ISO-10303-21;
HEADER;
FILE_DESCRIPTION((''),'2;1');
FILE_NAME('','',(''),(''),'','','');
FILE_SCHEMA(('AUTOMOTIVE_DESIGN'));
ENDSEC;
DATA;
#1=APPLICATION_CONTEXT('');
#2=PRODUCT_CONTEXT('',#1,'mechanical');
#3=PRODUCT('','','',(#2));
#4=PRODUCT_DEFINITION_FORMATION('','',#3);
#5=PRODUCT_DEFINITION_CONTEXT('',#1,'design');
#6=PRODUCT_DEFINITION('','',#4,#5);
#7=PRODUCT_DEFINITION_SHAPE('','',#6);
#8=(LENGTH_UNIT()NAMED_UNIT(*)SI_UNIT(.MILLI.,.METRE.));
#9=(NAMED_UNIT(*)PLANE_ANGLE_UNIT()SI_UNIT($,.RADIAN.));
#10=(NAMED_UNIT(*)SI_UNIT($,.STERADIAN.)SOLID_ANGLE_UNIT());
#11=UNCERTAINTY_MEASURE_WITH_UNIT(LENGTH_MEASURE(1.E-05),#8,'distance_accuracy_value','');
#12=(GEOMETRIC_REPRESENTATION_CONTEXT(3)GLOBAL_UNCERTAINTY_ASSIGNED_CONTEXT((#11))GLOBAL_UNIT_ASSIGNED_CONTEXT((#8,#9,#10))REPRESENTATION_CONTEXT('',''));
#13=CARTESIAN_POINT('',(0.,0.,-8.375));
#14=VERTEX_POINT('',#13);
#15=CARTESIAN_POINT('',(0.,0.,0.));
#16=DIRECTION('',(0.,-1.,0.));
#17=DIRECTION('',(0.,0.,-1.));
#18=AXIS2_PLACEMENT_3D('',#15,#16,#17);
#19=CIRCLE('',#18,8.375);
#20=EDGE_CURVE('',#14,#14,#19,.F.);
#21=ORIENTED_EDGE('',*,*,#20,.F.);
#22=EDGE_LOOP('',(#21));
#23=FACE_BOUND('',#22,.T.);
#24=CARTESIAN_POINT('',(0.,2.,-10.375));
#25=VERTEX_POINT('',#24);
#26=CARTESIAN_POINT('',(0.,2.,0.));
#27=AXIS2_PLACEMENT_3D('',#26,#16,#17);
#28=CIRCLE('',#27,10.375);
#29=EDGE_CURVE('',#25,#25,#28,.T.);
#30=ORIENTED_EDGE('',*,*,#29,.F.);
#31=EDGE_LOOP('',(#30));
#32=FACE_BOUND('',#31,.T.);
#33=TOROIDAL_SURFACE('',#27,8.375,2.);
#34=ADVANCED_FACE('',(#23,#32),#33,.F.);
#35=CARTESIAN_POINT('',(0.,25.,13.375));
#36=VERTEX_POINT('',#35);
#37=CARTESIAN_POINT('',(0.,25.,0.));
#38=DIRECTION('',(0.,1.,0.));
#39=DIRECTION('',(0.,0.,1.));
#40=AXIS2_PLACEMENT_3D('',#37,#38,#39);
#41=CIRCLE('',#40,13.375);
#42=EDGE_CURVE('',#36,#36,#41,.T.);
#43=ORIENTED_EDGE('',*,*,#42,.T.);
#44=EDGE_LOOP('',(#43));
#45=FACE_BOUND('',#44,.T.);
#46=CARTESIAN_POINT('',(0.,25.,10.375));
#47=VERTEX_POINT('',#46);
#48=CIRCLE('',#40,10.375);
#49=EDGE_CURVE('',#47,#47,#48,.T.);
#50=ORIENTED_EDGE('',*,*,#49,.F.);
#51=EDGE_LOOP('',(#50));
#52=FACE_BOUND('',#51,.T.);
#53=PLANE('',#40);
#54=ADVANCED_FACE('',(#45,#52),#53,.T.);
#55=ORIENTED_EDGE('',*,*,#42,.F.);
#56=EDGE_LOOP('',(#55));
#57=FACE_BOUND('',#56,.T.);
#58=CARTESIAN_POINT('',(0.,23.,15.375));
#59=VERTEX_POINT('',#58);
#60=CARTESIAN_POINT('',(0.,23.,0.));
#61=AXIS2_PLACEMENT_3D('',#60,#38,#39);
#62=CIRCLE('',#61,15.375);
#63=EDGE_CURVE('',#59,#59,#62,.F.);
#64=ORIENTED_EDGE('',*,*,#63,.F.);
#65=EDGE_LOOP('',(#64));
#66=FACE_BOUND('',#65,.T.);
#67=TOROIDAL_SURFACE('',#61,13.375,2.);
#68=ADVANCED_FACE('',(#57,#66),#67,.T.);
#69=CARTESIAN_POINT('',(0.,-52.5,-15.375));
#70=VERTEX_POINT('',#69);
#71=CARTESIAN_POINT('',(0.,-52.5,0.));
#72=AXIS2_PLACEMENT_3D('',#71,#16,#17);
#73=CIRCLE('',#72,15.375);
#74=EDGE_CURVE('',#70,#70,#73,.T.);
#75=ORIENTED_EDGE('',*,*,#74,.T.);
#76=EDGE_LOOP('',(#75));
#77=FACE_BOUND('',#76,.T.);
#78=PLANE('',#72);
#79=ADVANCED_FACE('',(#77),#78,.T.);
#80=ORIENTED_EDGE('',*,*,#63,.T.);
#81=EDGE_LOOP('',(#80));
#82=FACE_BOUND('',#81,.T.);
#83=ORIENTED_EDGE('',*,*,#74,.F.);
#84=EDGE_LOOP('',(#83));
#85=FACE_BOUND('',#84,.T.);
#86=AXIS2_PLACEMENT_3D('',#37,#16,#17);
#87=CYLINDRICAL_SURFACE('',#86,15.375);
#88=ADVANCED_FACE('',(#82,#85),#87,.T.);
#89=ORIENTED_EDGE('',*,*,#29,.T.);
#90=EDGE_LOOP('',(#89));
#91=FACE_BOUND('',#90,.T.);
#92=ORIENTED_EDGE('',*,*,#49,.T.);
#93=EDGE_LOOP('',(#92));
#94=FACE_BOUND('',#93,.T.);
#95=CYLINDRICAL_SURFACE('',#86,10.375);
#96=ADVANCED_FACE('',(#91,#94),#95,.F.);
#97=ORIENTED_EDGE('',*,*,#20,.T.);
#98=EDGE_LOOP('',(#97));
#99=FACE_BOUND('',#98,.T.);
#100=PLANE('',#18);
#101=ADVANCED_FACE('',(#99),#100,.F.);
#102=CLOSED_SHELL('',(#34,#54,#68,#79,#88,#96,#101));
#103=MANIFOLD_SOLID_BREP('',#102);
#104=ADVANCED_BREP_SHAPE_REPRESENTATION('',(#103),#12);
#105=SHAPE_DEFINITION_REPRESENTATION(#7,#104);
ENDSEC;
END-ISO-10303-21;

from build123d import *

# Parameters (mm, degrees)
SKETCH1_R           = 15.375
SKETCH1_R_2         = 10.375
BOSS_EXTRUDE1_DEPTH = 25
BOSS_EXTRUDE2_START = 52.5
SKETCH3_R           = 15.375
BOSS_EXTRUDE2_DEPTH = 52.5
FILLET1_R           = 2


with BuildPart() as part:
    # Sketch1 → Boss-Extrude1 (new body)
    with BuildSketch(Plane(origin=(0, 0, 0), x_dir=(1, 0, 0), z_dir=(0, 1, 0))):
        with Locations(Location((0, 0, 0), (0, 0, 270))):
            Circle(SKETCH1_R)
        with Locations(Location((0, 0, 0), (0, 0, 270))):
            Circle(SKETCH1_R_2, mode=Mode.SUBTRACT)
    extrude(amount=BOSS_EXTRUDE1_DEPTH)

    # Sketch3 → Boss-Extrude2 (add)
    with BuildSketch(Plane.XZ.offset(BOSS_EXTRUDE2_START)):
        with Locations(Location((0, 0, 0), (0, 0, 270))):
            Circle(SKETCH3_R)
    extrude(amount=-BOSS_EXTRUDE2_DEPTH)

    # Fillet1
    fillet1_edges = [part.edges().sort_by_distance(p)[0] for p in [
        (0, 25, -15.375),
        (0, 0, -10.375),
    ]]
    fillet(fillet1_edges, radius=FILLET1_R)


solid = part.part
